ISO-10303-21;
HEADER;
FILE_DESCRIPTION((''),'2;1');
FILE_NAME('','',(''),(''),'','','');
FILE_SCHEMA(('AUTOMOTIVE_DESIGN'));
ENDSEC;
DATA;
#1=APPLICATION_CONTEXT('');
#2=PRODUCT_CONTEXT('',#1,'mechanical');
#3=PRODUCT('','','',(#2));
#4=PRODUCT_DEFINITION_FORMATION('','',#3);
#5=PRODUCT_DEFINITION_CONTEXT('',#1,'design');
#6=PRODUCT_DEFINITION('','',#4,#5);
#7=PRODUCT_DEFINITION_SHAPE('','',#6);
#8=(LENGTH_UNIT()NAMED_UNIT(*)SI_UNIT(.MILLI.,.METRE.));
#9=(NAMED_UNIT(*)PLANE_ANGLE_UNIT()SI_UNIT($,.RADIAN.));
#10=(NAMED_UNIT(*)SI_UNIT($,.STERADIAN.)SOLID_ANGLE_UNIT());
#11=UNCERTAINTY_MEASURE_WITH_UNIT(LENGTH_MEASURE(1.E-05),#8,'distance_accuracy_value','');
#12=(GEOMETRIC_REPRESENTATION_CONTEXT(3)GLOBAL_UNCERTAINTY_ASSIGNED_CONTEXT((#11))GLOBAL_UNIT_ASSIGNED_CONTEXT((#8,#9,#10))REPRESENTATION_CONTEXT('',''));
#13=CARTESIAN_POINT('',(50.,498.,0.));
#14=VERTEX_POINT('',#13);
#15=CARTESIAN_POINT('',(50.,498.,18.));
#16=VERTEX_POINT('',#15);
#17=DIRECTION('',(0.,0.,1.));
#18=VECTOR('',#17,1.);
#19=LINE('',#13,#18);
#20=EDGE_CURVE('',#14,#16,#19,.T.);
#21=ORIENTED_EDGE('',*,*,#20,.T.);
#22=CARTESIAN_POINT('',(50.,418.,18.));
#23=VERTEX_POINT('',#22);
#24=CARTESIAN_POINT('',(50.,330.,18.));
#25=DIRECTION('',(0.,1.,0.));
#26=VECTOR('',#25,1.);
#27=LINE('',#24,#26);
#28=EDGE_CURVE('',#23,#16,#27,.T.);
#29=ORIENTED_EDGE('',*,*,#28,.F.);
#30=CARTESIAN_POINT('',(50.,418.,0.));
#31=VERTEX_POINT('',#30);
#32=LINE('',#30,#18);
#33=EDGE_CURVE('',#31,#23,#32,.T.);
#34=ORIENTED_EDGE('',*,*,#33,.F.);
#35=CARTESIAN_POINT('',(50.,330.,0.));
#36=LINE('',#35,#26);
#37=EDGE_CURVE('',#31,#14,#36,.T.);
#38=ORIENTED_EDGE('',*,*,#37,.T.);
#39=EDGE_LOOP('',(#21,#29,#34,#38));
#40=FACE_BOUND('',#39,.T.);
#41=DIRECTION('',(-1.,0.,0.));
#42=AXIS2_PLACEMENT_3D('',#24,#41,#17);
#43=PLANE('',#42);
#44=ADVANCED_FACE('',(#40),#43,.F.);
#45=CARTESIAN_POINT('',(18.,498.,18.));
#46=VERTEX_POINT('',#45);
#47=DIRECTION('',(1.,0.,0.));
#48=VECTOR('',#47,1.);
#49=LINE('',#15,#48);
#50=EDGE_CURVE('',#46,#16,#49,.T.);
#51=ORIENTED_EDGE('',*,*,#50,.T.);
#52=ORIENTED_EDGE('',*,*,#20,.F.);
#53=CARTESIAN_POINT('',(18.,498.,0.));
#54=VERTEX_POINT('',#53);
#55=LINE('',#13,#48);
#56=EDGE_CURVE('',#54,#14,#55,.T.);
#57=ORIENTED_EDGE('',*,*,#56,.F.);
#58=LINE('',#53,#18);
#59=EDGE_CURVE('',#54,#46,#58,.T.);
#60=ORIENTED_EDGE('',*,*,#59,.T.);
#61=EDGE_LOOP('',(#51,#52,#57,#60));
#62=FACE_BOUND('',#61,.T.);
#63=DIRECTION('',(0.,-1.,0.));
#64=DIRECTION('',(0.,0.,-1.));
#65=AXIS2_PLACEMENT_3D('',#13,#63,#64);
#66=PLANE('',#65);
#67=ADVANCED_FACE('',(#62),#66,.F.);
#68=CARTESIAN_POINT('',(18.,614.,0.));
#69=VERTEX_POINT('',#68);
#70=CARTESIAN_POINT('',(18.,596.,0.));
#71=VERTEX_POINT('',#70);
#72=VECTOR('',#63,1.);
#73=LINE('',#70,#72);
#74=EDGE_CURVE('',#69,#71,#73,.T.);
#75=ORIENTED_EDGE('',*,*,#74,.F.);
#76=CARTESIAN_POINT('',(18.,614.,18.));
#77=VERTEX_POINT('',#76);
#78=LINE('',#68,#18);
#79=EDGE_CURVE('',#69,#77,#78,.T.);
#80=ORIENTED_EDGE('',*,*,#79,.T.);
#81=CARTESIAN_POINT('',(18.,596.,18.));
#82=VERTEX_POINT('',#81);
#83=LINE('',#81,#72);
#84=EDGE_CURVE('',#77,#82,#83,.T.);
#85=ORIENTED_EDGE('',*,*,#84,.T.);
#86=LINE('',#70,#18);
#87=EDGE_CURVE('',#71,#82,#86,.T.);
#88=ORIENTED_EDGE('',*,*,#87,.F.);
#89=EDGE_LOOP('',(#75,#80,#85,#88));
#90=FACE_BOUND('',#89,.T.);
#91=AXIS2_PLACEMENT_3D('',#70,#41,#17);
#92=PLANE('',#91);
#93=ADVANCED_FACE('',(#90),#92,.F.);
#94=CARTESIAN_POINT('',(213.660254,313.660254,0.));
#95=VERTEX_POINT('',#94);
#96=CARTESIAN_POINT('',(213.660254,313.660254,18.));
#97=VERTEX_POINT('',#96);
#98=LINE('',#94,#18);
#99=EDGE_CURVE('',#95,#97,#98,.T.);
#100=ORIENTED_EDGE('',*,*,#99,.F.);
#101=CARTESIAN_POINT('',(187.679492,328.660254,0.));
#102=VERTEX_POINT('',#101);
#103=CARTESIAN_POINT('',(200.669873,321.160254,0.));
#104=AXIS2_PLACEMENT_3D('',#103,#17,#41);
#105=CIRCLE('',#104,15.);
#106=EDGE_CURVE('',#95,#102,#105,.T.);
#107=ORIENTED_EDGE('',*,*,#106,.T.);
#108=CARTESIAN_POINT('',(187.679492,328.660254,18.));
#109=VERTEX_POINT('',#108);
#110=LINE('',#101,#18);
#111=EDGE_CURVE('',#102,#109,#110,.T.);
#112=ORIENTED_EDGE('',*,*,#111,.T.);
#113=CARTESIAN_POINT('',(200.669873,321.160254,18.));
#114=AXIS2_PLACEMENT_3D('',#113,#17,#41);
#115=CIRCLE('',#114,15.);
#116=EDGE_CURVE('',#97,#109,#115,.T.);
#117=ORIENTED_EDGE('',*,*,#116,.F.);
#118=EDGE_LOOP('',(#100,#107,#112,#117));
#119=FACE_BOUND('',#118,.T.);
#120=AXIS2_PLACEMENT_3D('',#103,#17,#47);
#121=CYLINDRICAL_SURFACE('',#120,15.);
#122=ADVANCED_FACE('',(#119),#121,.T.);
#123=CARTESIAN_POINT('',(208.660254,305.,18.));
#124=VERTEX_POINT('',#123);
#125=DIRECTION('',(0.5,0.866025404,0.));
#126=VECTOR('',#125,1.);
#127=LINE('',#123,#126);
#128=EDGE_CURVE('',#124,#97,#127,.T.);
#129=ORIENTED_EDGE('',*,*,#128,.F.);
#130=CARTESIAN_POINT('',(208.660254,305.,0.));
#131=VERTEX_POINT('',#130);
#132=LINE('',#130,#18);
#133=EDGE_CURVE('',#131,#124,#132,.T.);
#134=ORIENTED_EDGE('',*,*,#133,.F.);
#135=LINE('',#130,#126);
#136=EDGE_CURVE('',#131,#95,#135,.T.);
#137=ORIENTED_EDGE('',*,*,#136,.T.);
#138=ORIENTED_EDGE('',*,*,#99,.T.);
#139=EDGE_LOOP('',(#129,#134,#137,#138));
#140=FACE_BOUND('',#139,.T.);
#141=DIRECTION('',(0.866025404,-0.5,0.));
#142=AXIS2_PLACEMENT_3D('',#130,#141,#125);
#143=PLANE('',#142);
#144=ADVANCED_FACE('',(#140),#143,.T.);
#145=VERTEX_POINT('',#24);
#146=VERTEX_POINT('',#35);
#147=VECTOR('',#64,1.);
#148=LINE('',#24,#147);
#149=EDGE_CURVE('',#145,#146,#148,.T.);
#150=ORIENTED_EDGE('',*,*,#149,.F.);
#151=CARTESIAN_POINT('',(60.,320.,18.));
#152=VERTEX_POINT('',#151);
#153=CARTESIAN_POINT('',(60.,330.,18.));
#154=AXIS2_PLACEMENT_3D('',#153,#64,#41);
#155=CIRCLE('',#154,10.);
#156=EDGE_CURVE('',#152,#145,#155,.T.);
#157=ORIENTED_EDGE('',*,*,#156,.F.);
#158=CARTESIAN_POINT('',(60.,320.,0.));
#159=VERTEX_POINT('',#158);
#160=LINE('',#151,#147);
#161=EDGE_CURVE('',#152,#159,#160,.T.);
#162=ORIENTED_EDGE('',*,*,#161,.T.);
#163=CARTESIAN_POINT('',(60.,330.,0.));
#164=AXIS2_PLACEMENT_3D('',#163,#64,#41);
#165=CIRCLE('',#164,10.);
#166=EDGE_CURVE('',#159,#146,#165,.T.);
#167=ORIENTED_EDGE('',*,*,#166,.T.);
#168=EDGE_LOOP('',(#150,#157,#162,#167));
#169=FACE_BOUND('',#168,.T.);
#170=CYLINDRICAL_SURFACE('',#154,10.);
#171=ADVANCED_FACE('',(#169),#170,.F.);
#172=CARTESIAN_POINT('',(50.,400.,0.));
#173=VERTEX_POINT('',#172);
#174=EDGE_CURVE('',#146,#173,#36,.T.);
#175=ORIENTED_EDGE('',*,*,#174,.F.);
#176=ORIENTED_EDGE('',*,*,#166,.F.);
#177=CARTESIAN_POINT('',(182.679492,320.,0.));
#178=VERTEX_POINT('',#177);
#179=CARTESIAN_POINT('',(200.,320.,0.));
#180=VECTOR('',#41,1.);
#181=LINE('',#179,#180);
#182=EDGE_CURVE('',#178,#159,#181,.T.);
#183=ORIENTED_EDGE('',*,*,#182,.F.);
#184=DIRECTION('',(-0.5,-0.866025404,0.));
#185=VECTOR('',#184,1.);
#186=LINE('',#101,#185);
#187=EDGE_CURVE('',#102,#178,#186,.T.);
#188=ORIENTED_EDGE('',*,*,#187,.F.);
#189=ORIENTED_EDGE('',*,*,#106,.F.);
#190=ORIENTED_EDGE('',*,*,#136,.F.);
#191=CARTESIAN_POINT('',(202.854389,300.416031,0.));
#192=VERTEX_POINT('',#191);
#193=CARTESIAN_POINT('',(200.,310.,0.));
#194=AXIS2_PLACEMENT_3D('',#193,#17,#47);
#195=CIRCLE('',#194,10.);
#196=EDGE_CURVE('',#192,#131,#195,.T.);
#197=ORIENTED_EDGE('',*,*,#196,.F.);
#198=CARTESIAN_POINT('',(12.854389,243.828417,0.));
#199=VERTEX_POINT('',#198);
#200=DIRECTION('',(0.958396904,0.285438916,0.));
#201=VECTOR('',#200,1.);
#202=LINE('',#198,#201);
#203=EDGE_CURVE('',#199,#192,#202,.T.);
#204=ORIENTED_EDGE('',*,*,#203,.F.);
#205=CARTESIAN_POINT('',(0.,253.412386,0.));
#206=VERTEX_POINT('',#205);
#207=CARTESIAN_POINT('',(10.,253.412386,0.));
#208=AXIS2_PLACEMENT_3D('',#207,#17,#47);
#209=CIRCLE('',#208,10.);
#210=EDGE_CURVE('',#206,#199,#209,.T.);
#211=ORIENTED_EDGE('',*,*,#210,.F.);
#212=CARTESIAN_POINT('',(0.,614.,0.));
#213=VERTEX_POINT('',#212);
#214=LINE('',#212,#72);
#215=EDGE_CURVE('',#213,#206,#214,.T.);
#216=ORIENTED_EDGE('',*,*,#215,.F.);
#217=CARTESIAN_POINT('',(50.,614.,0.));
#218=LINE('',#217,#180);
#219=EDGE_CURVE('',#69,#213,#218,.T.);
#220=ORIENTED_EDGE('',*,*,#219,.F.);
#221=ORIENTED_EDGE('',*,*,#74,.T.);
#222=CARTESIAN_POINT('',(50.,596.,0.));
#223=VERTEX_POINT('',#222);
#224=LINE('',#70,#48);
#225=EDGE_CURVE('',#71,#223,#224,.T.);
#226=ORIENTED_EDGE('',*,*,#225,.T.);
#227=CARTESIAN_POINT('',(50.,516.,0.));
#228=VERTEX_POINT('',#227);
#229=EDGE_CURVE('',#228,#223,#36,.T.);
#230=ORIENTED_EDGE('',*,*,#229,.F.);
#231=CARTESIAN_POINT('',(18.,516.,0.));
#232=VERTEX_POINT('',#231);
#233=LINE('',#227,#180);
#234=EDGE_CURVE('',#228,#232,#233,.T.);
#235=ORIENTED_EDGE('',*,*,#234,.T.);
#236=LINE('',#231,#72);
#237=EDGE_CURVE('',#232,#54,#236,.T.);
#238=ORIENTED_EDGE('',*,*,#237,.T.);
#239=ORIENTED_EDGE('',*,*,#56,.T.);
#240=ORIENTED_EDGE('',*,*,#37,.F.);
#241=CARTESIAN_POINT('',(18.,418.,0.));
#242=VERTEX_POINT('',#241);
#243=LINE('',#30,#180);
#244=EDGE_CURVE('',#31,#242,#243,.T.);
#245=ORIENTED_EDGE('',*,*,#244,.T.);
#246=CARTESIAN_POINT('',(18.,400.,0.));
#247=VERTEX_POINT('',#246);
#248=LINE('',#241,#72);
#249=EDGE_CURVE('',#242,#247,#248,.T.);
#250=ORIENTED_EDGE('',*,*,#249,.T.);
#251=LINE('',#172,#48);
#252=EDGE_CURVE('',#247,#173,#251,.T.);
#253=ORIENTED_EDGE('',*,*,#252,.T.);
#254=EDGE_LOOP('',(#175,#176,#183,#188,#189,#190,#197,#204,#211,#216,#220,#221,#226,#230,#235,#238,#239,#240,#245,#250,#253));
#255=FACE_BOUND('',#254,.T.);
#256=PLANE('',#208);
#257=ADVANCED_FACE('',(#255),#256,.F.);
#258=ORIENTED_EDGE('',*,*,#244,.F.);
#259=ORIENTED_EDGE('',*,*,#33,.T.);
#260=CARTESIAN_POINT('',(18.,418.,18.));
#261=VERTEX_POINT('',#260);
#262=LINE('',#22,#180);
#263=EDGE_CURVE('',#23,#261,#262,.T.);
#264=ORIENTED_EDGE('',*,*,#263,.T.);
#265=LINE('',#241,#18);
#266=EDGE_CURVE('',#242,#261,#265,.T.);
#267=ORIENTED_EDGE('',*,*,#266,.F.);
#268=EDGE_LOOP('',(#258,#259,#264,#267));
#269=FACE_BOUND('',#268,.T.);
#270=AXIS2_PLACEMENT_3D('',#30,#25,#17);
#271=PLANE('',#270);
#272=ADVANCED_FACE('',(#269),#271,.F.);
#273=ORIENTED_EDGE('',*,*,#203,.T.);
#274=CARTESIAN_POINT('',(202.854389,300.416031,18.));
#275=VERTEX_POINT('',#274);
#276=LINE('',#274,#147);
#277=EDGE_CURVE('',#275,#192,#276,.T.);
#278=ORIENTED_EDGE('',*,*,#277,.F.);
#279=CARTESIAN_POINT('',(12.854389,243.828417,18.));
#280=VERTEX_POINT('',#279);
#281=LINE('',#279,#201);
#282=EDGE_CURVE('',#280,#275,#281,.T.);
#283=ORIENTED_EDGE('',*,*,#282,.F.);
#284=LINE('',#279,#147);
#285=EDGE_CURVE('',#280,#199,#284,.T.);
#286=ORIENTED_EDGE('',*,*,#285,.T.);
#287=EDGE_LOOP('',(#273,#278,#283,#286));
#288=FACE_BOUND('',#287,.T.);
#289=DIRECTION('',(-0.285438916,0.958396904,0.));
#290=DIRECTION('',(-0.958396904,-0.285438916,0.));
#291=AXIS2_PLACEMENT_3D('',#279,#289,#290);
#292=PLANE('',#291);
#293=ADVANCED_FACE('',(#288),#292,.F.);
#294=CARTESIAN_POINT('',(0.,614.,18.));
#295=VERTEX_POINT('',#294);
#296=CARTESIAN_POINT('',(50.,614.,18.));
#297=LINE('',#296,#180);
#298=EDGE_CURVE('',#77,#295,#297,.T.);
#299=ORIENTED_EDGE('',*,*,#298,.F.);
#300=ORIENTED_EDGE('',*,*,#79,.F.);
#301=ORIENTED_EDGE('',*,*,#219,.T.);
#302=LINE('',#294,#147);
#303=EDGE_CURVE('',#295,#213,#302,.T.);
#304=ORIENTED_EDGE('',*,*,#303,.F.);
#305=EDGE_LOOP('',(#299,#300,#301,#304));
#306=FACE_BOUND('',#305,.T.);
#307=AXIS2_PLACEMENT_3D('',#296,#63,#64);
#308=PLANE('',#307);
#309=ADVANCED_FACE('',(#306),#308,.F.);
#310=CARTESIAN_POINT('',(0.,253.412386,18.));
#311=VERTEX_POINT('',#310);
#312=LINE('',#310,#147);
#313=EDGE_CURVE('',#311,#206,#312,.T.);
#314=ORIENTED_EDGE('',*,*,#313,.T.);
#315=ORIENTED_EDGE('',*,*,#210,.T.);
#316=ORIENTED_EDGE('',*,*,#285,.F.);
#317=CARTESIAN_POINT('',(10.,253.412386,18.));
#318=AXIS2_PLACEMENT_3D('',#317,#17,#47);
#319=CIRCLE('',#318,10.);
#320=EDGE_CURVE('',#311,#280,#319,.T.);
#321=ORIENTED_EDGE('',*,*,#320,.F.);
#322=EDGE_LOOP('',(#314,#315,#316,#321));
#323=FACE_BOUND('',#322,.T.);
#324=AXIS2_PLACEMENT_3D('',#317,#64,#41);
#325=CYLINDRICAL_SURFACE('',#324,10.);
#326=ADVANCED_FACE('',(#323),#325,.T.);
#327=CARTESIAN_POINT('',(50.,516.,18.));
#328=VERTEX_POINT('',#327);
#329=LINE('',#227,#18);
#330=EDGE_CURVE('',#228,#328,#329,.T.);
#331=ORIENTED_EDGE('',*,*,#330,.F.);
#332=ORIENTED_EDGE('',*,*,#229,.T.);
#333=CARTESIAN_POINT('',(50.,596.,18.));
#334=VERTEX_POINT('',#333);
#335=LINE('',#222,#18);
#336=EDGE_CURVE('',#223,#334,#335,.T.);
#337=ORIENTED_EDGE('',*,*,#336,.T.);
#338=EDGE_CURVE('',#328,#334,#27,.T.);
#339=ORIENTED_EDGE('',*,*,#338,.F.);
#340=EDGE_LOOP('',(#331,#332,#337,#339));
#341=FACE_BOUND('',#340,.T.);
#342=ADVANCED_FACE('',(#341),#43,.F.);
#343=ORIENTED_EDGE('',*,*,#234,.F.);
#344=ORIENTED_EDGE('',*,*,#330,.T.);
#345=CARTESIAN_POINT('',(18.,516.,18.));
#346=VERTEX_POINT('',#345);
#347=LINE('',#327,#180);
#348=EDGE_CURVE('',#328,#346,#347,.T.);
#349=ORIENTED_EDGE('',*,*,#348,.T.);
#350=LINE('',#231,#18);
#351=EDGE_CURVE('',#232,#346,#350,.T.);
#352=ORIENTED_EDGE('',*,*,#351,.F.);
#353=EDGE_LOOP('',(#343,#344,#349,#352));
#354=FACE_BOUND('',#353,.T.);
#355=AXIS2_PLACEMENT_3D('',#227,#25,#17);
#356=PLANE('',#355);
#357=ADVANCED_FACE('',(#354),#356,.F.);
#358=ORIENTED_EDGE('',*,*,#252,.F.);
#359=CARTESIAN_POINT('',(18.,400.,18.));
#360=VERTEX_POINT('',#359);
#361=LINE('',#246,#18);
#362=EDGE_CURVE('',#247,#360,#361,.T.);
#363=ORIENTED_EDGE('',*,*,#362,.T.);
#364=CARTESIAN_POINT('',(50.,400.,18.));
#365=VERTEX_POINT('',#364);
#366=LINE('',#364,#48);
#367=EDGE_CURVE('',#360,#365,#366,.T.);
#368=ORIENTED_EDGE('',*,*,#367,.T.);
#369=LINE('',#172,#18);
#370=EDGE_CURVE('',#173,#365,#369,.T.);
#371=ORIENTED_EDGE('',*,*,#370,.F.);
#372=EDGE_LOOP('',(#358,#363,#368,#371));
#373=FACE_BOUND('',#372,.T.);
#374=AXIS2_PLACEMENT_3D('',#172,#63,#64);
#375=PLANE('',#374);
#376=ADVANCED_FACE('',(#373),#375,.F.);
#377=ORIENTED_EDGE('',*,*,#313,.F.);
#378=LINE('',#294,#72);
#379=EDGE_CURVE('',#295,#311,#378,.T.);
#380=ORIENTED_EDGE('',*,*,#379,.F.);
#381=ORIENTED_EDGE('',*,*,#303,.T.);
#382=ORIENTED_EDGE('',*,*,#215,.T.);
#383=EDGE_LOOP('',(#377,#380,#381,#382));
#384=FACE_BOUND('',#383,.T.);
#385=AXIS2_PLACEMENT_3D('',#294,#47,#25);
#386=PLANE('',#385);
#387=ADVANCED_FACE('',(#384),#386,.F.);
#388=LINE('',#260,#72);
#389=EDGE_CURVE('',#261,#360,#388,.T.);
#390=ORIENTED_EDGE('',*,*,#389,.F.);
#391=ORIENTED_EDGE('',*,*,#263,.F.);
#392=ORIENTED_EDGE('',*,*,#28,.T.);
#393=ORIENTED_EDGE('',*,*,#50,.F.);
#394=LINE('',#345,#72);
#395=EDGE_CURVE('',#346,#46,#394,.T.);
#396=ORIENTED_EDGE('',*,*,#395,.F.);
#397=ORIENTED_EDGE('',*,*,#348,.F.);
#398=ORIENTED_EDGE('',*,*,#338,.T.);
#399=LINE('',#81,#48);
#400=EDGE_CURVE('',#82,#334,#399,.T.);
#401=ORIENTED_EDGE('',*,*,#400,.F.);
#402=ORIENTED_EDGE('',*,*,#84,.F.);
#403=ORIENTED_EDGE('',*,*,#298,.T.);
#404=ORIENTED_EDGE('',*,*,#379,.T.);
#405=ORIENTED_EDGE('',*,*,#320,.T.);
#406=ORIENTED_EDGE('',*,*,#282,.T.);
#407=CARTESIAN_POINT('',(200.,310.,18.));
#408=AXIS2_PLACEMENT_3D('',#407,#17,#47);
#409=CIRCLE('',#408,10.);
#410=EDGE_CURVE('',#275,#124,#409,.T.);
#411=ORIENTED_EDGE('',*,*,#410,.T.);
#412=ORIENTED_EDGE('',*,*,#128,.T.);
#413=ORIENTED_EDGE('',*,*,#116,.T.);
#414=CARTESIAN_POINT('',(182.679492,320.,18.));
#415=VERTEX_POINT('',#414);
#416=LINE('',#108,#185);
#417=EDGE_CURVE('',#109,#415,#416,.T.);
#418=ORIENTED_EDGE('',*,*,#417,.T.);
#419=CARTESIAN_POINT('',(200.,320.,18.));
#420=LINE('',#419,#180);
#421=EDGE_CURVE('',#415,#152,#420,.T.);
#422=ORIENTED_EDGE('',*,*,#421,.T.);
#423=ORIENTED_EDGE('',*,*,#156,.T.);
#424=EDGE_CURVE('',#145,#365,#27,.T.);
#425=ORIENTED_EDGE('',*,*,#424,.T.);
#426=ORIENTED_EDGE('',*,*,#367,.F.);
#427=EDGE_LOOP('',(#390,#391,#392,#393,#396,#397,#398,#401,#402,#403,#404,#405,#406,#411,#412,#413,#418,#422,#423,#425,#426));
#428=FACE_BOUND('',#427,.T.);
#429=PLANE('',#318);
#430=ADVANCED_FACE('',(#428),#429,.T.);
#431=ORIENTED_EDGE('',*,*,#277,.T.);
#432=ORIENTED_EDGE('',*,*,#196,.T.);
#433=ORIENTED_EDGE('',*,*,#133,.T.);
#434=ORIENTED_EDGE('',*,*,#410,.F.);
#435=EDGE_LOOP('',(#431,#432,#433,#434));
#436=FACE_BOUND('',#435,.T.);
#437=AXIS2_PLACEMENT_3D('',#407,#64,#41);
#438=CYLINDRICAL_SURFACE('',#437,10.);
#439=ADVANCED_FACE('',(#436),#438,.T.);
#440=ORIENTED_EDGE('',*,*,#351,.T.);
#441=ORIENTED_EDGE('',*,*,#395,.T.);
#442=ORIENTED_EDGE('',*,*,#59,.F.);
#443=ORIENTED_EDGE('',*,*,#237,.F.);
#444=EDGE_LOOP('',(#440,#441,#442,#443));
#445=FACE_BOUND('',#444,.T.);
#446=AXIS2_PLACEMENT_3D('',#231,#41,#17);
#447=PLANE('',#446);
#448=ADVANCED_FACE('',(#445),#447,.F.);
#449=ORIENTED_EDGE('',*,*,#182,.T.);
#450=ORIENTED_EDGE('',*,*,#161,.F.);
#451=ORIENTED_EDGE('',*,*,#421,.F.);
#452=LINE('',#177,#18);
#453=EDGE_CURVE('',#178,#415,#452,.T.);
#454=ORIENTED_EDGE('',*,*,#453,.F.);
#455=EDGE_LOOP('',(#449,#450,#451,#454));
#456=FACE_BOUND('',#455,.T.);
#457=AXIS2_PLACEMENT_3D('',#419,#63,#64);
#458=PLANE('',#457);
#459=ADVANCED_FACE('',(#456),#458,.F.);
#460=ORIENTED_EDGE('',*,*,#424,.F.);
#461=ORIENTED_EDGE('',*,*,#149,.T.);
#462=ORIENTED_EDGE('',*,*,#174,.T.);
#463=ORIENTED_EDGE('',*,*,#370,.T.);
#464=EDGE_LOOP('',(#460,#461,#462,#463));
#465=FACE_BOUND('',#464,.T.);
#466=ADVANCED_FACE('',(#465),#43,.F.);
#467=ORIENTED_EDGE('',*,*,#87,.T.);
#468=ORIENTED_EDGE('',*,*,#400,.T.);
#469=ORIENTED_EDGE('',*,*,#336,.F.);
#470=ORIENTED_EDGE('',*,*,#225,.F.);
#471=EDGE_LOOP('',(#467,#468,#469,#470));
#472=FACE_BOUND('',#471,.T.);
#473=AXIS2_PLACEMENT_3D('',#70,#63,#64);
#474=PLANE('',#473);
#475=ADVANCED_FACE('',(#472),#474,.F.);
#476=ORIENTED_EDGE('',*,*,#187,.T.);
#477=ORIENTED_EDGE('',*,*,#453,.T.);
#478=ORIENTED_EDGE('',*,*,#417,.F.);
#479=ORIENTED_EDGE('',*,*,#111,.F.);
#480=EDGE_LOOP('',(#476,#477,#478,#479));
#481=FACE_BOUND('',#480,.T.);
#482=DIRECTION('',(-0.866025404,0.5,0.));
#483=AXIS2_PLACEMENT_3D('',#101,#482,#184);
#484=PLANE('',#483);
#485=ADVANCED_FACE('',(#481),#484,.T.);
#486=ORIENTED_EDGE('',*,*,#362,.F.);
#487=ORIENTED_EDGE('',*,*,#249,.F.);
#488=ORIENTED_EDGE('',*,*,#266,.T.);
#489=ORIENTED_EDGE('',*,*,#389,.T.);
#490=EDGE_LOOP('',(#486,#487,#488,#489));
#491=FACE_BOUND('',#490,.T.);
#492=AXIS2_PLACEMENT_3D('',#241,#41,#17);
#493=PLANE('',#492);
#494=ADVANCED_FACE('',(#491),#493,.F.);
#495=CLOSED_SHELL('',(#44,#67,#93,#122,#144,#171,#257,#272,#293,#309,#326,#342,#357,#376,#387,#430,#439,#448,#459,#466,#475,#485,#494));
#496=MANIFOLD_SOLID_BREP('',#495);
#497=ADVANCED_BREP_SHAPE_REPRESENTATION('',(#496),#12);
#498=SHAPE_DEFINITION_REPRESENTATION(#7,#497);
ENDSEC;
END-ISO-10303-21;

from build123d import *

# Parameters (mm, degrees)
BOSS_EXTRU_1_DEPTH      = 18
ESQUISSE2_W             = 32
ESQUISSE2_H             = 18
ENL_V_MAT_EXTRU_1_DEPTH = 650.168699184
BOSS_EXTRU_2_DEPTH      = 18


with BuildPart() as part:
    # Esquisse1 → Boss.-Extru.1 (new body)
    with BuildSketch(Plane.XY):
        with BuildLine():
            Line((0, 614), (0, 253.412385947))
            ThreePointArc((0, 253.412385947), (4.022705111, 245.395407351), (12.854389163, 243.82841691))
            Line((12.854389163, 243.82841691), (202.854389163, 300.416030963))
            ThreePointArc((202.854389163, 300.416030963), (209.895445679, 311.442274181), (200, 320))
            Line((200, 320), (60, 320))
            ThreePointArc((60, 320), (52.928932188, 322.928932188), (50, 330))
            Line((50, 330), (50, 614))
            Line((50, 614), (0, 614))
        make_face()
    extrude(amount=BOSS_EXTRU_1_DEPTH)

    # Esquisse2 → Enlèv. mat.-Extru.1 (cut, through all)
    with BuildSketch(Plane.XY.offset(18)):
        with Locations((34, 605)):
            Rectangle(ESQUISSE2_W, ESQUISSE2_H)
        with Locations((34, 507)):
            Rectangle(ESQUISSE2_W, ESQUISSE2_H)
        with Locations((34, 409)):
            Rectangle(ESQUISSE2_W, ESQUISSE2_H)
    extrude(amount=-ENL_V_MAT_EXTRU_1_DEPTH, mode=Mode.SUBTRACT)

    # Esquisse3 → Boss.-Extru.2 (add)
    with BuildSketch(Plane.XY.offset(18)):
        with BuildLine():
            Line((208.660254038, 305), (213.660254038, 313.660254038))
            ThreePointArc((213.660254038, 313.660254038), (208.169872981, 334.150635095), (187.679491924, 328.660254038))
            Line((187.679491924, 328.660254038), (182.679491924, 320))
            Line((182.679491924, 320), (208.660254038, 305))
        make_face()
    extrude(amount=-BOSS_EXTRU_2_DEPTH)


solid = part.part
